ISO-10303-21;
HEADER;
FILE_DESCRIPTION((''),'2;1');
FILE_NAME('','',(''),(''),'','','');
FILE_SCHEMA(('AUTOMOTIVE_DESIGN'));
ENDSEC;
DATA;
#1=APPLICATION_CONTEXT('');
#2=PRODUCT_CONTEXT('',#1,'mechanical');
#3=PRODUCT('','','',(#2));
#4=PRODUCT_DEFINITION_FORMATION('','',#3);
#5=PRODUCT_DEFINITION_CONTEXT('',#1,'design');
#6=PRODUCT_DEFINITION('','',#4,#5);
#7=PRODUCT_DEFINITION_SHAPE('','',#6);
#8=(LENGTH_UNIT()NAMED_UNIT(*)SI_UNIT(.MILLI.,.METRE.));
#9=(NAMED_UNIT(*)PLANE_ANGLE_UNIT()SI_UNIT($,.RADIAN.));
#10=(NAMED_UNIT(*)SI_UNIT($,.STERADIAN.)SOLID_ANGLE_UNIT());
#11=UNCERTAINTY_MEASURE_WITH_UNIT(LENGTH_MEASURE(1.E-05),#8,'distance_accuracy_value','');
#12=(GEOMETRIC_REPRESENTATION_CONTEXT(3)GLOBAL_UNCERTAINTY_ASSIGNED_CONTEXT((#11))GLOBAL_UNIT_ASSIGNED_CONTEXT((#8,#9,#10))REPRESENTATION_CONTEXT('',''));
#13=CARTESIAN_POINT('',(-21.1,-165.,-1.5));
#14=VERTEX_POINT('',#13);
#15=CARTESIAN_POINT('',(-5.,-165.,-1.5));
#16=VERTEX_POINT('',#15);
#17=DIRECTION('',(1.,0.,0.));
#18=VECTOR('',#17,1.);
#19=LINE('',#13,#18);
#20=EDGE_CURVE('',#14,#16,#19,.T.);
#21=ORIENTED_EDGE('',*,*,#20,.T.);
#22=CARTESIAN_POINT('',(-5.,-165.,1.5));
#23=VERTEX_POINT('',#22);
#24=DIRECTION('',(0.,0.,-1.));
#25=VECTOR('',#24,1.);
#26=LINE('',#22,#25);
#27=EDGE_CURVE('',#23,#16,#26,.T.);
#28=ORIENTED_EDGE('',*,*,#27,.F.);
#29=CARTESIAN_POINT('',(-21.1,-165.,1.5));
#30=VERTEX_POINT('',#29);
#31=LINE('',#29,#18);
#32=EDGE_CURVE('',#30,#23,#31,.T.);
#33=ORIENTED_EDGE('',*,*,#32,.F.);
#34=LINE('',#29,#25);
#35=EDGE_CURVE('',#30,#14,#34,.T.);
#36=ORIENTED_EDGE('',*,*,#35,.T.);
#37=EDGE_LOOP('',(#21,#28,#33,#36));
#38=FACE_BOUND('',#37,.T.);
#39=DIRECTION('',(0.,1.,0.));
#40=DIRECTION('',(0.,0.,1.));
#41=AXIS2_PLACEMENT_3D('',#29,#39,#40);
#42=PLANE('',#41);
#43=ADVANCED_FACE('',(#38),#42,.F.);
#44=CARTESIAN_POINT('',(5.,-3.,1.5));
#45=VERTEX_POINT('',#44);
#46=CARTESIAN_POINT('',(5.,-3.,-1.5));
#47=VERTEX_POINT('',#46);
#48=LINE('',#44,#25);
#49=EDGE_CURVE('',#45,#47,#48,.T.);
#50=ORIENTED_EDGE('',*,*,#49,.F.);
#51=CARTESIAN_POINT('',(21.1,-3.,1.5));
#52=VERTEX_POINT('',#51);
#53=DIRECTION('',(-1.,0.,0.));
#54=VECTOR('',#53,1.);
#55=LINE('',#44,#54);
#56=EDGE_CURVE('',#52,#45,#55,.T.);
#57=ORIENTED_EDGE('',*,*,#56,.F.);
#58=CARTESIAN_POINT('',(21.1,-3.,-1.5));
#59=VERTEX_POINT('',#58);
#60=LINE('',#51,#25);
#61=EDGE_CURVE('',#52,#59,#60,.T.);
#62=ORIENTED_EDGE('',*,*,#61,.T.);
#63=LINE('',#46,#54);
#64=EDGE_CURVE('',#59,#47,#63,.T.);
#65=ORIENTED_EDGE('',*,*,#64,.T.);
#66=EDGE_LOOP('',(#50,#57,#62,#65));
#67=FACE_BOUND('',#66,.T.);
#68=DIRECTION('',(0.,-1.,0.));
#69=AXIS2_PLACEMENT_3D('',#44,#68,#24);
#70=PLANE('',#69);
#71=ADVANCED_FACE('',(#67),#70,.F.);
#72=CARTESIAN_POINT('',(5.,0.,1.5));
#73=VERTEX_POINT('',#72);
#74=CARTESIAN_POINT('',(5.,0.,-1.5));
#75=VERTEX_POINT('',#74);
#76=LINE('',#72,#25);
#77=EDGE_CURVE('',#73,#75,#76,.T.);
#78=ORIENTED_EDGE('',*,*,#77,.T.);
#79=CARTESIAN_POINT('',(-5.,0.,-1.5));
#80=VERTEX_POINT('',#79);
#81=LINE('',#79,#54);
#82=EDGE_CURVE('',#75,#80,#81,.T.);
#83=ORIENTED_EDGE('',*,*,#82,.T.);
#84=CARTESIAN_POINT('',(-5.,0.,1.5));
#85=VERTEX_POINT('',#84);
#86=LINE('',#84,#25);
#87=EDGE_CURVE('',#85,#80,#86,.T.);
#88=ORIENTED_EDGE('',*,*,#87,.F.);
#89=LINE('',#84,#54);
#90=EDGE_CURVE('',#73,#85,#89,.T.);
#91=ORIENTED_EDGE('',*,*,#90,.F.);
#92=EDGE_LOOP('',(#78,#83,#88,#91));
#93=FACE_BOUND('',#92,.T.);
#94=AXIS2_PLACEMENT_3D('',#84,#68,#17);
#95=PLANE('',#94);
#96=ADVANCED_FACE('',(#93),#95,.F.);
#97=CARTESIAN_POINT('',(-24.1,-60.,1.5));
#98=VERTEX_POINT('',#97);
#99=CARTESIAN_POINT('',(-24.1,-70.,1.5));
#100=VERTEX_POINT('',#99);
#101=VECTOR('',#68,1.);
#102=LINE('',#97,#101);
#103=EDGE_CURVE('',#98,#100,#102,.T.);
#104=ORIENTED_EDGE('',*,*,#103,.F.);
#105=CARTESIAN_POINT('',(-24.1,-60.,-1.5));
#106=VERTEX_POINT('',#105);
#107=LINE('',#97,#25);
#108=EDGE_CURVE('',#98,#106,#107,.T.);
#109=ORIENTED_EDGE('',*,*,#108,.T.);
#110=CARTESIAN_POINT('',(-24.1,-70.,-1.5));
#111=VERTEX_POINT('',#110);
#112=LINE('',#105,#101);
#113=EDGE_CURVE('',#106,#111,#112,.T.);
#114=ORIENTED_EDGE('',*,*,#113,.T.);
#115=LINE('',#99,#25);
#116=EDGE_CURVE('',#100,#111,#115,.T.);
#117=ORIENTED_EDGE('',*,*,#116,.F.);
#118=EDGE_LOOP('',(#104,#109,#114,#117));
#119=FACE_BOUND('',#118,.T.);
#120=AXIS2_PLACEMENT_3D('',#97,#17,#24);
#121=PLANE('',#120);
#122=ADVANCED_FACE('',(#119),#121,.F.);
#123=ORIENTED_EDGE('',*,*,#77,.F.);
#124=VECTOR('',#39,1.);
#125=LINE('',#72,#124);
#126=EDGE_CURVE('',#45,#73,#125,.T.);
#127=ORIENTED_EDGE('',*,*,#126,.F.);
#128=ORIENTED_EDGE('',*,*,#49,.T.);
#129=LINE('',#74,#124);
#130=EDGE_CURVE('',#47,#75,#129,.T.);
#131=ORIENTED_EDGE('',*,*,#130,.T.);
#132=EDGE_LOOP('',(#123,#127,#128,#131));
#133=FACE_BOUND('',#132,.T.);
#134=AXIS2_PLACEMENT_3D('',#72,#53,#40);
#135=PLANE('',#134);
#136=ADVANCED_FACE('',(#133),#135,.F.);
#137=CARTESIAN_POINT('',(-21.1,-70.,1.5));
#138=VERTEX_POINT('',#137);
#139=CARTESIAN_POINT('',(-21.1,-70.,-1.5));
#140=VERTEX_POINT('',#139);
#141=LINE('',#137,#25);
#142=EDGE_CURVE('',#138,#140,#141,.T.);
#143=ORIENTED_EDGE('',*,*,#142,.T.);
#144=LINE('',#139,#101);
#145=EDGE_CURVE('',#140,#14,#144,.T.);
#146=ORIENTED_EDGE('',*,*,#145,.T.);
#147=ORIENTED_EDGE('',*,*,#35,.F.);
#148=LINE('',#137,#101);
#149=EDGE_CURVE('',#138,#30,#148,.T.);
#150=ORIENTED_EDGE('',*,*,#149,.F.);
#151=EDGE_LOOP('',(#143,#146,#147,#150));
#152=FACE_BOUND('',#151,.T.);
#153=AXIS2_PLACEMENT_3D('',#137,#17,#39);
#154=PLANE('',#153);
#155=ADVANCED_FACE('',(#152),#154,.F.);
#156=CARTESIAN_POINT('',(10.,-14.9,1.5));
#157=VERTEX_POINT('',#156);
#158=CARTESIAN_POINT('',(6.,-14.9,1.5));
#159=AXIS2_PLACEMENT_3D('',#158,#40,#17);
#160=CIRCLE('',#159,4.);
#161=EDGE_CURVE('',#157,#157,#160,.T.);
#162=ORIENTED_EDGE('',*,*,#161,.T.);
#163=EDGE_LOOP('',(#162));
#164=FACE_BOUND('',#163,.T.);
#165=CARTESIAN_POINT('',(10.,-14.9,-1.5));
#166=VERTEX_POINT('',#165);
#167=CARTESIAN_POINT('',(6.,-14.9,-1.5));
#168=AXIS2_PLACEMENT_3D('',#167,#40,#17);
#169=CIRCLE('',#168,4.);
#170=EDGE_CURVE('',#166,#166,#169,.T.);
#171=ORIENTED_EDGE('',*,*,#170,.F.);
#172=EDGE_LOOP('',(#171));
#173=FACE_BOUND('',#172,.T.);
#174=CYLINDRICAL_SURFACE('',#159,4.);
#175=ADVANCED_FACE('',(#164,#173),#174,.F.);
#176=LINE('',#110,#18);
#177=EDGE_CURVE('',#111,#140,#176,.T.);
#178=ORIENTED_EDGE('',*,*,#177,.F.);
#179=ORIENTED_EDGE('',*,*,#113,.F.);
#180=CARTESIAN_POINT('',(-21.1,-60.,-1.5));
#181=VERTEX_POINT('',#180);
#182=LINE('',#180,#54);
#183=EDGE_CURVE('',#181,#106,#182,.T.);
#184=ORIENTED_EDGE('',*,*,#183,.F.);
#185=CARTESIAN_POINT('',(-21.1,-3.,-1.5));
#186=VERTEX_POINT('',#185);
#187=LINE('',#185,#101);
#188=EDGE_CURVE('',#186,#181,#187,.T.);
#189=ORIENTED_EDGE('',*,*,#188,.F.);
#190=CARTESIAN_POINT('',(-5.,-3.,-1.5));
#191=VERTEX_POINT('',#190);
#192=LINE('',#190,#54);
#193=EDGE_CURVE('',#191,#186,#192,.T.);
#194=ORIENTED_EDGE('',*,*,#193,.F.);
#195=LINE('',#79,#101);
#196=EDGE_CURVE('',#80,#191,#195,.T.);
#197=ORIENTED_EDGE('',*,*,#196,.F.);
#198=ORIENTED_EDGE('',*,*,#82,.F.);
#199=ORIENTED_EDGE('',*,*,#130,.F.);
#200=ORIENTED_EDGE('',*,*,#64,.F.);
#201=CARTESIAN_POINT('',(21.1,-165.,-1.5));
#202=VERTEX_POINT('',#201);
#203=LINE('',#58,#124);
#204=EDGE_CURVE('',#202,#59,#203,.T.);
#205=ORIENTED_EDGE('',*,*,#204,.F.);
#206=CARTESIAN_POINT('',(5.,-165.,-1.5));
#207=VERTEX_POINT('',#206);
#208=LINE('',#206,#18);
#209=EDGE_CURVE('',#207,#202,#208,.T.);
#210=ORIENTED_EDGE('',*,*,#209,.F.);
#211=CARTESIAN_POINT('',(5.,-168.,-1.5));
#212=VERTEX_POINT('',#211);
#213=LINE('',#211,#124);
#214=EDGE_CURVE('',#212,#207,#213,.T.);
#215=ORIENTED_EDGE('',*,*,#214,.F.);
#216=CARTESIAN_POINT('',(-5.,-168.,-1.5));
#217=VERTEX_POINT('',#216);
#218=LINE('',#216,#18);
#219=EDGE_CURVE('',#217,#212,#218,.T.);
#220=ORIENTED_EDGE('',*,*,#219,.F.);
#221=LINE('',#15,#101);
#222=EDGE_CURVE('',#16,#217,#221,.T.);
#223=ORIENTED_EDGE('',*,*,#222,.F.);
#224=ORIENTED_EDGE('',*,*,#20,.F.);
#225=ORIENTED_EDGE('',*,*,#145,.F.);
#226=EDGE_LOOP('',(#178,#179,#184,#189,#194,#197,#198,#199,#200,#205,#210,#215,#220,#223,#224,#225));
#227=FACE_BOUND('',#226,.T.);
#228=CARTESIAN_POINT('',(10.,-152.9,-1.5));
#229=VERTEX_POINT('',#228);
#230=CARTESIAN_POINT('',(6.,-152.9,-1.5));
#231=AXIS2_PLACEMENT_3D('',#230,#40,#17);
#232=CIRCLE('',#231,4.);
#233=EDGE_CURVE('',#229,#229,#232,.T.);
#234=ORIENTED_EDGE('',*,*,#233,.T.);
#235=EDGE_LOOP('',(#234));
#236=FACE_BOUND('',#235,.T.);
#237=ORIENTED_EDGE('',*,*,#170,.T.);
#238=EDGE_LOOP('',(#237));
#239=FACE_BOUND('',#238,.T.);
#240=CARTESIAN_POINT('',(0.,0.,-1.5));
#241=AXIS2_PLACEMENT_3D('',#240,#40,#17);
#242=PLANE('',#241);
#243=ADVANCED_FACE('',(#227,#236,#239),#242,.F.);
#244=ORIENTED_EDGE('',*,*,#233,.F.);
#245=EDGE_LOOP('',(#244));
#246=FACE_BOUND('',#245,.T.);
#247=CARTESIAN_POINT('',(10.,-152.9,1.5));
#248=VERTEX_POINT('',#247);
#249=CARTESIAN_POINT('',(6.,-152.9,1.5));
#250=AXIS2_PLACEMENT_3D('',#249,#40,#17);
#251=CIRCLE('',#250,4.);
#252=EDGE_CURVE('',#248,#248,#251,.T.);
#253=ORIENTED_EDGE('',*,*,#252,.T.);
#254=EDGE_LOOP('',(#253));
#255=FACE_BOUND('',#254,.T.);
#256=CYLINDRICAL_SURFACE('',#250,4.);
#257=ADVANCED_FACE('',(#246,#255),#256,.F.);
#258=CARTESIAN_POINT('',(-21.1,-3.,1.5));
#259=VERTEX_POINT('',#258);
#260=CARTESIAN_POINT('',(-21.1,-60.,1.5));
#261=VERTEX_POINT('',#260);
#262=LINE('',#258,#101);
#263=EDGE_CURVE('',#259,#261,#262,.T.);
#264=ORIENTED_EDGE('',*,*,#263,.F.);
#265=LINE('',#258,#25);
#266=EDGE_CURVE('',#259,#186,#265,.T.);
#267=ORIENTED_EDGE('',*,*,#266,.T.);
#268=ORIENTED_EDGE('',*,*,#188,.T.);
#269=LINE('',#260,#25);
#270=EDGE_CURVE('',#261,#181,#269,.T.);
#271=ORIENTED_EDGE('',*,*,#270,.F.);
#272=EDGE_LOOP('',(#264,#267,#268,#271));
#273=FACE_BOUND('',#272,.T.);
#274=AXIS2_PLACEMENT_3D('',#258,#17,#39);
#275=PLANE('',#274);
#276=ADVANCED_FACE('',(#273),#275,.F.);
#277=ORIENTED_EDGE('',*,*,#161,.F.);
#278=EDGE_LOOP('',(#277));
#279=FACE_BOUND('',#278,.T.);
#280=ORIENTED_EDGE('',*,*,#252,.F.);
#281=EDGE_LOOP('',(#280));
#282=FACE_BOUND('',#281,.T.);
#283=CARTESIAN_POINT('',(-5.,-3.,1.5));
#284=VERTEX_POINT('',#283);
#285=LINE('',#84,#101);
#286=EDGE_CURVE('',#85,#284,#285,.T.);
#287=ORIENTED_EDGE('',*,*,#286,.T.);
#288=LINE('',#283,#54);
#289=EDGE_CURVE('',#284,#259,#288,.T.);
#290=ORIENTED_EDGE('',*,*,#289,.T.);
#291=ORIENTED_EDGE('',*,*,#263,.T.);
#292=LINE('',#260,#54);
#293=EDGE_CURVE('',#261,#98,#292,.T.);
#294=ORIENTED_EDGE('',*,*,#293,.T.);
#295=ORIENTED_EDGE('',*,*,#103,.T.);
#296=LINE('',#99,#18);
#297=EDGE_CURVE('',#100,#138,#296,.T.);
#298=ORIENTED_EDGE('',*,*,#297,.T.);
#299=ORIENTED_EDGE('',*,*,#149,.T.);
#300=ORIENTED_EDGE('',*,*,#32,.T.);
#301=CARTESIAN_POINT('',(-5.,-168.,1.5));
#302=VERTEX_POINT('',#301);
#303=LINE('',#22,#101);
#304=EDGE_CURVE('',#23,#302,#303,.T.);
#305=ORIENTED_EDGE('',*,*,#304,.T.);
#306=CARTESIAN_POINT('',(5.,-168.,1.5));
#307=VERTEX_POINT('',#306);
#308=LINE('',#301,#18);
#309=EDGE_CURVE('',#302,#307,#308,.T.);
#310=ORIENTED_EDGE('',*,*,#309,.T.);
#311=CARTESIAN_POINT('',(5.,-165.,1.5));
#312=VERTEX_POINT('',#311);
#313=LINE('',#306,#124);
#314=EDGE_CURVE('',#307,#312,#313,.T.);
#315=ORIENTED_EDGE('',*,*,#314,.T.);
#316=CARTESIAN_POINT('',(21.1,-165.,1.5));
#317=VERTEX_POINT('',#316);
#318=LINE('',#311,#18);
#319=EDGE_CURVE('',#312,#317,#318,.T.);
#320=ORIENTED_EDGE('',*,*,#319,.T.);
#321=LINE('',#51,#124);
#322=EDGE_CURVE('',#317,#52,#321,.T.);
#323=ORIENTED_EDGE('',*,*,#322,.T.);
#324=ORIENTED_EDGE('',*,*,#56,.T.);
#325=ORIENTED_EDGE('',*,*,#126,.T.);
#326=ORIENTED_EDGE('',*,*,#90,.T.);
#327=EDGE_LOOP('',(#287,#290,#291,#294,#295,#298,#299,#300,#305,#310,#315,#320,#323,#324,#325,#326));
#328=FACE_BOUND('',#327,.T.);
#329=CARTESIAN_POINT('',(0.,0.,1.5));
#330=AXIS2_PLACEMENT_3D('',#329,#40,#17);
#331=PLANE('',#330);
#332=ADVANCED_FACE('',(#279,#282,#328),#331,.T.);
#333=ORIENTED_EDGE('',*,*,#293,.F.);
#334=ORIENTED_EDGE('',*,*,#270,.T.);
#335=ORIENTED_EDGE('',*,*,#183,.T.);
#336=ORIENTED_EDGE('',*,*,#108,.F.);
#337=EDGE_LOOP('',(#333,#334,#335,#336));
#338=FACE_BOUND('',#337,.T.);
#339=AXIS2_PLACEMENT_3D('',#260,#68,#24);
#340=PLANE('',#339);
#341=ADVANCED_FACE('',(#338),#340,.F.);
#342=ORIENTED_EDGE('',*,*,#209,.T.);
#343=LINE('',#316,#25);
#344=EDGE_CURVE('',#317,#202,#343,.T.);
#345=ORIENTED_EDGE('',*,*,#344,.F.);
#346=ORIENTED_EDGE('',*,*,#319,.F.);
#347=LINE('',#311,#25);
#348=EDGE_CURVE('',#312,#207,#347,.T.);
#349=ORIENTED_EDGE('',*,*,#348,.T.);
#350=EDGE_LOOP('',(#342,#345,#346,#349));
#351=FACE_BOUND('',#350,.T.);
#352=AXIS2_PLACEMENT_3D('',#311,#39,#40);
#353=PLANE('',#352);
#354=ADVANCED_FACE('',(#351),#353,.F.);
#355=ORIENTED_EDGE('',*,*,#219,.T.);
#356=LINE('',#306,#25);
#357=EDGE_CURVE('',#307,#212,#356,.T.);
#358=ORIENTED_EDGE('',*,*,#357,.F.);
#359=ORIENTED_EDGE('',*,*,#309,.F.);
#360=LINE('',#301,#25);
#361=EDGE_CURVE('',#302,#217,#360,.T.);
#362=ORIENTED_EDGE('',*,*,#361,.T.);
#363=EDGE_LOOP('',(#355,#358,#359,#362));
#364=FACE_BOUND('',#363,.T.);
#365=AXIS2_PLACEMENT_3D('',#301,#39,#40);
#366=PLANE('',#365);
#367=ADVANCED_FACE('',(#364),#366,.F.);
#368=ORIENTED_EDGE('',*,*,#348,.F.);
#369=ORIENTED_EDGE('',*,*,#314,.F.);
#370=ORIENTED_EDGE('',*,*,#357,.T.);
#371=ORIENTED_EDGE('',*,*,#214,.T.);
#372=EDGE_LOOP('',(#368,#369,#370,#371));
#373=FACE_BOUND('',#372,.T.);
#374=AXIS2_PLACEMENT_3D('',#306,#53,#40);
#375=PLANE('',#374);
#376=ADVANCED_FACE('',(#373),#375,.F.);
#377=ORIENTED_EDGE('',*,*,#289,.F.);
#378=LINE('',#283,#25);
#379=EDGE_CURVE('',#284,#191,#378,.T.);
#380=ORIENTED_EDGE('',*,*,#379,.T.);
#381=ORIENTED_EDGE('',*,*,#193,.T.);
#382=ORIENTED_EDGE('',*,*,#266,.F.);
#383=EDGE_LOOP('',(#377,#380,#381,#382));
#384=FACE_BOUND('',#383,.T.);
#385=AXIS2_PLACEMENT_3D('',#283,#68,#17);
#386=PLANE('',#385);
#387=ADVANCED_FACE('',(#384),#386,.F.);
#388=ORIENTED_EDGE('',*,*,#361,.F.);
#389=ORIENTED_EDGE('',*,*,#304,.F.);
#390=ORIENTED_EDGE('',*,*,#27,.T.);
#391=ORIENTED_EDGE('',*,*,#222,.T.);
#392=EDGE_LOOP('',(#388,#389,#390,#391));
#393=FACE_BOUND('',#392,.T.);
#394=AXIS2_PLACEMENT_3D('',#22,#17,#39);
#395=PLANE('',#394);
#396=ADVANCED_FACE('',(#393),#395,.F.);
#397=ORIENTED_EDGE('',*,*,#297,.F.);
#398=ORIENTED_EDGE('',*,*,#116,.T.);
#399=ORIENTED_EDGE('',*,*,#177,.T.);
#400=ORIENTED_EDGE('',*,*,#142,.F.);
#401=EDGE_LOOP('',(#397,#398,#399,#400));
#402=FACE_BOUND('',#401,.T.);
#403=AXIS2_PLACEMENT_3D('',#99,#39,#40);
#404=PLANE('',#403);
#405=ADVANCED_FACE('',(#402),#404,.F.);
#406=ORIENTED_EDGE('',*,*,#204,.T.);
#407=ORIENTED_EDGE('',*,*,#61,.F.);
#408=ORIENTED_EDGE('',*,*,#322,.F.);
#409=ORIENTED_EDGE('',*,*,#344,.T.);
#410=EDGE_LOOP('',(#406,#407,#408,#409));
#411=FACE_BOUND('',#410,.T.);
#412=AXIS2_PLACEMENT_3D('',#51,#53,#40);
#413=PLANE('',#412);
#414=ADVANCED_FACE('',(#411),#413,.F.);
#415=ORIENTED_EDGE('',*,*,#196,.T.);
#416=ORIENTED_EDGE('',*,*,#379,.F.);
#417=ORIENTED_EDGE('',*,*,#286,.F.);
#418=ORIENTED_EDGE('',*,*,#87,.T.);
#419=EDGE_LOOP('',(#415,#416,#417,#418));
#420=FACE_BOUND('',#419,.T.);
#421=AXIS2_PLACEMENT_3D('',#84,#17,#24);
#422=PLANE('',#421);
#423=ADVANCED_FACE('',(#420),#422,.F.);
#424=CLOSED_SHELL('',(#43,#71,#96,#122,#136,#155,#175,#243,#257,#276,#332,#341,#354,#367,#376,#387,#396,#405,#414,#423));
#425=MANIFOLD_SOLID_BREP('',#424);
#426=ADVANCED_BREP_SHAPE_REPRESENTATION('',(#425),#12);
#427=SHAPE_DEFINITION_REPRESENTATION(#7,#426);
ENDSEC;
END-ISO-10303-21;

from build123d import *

# Parameters (mm, degrees)
BOSS_EXTRUDE1_DEPTH      = 1.5
F_8_0_8_DIAMETER_HOLE1_D = 8


with BuildPart() as part:
    # Sketch1 → Boss-Extrude1 (new, symmetric)
    with BuildSketch(Plane.XY):
        Polygon((-5, 0), (5, 0), (5, -3), (21.1, -3), (21.1, -165), (5, -165), (5, -168), (-5, -168), (-5, -165), (-21.1, -165), (-21.1, -70), (-24.1, -70), (-24.1, -60), (-21.1, -60), (-21.1, -3), (-5, -3), align=None)
    extrude(amount=BOSS_EXTRUDE1_DEPTH, both=True)

    # Ø8.0 (8) Diameter Hole1 (through all)
    with Locations(Plane.XY.offset(1.5)):
        with Locations((6, -14.9), (6, -152.9)):
            Hole(F_8_0_8_DIAMETER_HOLE1_D / 2)


solid = part.part
